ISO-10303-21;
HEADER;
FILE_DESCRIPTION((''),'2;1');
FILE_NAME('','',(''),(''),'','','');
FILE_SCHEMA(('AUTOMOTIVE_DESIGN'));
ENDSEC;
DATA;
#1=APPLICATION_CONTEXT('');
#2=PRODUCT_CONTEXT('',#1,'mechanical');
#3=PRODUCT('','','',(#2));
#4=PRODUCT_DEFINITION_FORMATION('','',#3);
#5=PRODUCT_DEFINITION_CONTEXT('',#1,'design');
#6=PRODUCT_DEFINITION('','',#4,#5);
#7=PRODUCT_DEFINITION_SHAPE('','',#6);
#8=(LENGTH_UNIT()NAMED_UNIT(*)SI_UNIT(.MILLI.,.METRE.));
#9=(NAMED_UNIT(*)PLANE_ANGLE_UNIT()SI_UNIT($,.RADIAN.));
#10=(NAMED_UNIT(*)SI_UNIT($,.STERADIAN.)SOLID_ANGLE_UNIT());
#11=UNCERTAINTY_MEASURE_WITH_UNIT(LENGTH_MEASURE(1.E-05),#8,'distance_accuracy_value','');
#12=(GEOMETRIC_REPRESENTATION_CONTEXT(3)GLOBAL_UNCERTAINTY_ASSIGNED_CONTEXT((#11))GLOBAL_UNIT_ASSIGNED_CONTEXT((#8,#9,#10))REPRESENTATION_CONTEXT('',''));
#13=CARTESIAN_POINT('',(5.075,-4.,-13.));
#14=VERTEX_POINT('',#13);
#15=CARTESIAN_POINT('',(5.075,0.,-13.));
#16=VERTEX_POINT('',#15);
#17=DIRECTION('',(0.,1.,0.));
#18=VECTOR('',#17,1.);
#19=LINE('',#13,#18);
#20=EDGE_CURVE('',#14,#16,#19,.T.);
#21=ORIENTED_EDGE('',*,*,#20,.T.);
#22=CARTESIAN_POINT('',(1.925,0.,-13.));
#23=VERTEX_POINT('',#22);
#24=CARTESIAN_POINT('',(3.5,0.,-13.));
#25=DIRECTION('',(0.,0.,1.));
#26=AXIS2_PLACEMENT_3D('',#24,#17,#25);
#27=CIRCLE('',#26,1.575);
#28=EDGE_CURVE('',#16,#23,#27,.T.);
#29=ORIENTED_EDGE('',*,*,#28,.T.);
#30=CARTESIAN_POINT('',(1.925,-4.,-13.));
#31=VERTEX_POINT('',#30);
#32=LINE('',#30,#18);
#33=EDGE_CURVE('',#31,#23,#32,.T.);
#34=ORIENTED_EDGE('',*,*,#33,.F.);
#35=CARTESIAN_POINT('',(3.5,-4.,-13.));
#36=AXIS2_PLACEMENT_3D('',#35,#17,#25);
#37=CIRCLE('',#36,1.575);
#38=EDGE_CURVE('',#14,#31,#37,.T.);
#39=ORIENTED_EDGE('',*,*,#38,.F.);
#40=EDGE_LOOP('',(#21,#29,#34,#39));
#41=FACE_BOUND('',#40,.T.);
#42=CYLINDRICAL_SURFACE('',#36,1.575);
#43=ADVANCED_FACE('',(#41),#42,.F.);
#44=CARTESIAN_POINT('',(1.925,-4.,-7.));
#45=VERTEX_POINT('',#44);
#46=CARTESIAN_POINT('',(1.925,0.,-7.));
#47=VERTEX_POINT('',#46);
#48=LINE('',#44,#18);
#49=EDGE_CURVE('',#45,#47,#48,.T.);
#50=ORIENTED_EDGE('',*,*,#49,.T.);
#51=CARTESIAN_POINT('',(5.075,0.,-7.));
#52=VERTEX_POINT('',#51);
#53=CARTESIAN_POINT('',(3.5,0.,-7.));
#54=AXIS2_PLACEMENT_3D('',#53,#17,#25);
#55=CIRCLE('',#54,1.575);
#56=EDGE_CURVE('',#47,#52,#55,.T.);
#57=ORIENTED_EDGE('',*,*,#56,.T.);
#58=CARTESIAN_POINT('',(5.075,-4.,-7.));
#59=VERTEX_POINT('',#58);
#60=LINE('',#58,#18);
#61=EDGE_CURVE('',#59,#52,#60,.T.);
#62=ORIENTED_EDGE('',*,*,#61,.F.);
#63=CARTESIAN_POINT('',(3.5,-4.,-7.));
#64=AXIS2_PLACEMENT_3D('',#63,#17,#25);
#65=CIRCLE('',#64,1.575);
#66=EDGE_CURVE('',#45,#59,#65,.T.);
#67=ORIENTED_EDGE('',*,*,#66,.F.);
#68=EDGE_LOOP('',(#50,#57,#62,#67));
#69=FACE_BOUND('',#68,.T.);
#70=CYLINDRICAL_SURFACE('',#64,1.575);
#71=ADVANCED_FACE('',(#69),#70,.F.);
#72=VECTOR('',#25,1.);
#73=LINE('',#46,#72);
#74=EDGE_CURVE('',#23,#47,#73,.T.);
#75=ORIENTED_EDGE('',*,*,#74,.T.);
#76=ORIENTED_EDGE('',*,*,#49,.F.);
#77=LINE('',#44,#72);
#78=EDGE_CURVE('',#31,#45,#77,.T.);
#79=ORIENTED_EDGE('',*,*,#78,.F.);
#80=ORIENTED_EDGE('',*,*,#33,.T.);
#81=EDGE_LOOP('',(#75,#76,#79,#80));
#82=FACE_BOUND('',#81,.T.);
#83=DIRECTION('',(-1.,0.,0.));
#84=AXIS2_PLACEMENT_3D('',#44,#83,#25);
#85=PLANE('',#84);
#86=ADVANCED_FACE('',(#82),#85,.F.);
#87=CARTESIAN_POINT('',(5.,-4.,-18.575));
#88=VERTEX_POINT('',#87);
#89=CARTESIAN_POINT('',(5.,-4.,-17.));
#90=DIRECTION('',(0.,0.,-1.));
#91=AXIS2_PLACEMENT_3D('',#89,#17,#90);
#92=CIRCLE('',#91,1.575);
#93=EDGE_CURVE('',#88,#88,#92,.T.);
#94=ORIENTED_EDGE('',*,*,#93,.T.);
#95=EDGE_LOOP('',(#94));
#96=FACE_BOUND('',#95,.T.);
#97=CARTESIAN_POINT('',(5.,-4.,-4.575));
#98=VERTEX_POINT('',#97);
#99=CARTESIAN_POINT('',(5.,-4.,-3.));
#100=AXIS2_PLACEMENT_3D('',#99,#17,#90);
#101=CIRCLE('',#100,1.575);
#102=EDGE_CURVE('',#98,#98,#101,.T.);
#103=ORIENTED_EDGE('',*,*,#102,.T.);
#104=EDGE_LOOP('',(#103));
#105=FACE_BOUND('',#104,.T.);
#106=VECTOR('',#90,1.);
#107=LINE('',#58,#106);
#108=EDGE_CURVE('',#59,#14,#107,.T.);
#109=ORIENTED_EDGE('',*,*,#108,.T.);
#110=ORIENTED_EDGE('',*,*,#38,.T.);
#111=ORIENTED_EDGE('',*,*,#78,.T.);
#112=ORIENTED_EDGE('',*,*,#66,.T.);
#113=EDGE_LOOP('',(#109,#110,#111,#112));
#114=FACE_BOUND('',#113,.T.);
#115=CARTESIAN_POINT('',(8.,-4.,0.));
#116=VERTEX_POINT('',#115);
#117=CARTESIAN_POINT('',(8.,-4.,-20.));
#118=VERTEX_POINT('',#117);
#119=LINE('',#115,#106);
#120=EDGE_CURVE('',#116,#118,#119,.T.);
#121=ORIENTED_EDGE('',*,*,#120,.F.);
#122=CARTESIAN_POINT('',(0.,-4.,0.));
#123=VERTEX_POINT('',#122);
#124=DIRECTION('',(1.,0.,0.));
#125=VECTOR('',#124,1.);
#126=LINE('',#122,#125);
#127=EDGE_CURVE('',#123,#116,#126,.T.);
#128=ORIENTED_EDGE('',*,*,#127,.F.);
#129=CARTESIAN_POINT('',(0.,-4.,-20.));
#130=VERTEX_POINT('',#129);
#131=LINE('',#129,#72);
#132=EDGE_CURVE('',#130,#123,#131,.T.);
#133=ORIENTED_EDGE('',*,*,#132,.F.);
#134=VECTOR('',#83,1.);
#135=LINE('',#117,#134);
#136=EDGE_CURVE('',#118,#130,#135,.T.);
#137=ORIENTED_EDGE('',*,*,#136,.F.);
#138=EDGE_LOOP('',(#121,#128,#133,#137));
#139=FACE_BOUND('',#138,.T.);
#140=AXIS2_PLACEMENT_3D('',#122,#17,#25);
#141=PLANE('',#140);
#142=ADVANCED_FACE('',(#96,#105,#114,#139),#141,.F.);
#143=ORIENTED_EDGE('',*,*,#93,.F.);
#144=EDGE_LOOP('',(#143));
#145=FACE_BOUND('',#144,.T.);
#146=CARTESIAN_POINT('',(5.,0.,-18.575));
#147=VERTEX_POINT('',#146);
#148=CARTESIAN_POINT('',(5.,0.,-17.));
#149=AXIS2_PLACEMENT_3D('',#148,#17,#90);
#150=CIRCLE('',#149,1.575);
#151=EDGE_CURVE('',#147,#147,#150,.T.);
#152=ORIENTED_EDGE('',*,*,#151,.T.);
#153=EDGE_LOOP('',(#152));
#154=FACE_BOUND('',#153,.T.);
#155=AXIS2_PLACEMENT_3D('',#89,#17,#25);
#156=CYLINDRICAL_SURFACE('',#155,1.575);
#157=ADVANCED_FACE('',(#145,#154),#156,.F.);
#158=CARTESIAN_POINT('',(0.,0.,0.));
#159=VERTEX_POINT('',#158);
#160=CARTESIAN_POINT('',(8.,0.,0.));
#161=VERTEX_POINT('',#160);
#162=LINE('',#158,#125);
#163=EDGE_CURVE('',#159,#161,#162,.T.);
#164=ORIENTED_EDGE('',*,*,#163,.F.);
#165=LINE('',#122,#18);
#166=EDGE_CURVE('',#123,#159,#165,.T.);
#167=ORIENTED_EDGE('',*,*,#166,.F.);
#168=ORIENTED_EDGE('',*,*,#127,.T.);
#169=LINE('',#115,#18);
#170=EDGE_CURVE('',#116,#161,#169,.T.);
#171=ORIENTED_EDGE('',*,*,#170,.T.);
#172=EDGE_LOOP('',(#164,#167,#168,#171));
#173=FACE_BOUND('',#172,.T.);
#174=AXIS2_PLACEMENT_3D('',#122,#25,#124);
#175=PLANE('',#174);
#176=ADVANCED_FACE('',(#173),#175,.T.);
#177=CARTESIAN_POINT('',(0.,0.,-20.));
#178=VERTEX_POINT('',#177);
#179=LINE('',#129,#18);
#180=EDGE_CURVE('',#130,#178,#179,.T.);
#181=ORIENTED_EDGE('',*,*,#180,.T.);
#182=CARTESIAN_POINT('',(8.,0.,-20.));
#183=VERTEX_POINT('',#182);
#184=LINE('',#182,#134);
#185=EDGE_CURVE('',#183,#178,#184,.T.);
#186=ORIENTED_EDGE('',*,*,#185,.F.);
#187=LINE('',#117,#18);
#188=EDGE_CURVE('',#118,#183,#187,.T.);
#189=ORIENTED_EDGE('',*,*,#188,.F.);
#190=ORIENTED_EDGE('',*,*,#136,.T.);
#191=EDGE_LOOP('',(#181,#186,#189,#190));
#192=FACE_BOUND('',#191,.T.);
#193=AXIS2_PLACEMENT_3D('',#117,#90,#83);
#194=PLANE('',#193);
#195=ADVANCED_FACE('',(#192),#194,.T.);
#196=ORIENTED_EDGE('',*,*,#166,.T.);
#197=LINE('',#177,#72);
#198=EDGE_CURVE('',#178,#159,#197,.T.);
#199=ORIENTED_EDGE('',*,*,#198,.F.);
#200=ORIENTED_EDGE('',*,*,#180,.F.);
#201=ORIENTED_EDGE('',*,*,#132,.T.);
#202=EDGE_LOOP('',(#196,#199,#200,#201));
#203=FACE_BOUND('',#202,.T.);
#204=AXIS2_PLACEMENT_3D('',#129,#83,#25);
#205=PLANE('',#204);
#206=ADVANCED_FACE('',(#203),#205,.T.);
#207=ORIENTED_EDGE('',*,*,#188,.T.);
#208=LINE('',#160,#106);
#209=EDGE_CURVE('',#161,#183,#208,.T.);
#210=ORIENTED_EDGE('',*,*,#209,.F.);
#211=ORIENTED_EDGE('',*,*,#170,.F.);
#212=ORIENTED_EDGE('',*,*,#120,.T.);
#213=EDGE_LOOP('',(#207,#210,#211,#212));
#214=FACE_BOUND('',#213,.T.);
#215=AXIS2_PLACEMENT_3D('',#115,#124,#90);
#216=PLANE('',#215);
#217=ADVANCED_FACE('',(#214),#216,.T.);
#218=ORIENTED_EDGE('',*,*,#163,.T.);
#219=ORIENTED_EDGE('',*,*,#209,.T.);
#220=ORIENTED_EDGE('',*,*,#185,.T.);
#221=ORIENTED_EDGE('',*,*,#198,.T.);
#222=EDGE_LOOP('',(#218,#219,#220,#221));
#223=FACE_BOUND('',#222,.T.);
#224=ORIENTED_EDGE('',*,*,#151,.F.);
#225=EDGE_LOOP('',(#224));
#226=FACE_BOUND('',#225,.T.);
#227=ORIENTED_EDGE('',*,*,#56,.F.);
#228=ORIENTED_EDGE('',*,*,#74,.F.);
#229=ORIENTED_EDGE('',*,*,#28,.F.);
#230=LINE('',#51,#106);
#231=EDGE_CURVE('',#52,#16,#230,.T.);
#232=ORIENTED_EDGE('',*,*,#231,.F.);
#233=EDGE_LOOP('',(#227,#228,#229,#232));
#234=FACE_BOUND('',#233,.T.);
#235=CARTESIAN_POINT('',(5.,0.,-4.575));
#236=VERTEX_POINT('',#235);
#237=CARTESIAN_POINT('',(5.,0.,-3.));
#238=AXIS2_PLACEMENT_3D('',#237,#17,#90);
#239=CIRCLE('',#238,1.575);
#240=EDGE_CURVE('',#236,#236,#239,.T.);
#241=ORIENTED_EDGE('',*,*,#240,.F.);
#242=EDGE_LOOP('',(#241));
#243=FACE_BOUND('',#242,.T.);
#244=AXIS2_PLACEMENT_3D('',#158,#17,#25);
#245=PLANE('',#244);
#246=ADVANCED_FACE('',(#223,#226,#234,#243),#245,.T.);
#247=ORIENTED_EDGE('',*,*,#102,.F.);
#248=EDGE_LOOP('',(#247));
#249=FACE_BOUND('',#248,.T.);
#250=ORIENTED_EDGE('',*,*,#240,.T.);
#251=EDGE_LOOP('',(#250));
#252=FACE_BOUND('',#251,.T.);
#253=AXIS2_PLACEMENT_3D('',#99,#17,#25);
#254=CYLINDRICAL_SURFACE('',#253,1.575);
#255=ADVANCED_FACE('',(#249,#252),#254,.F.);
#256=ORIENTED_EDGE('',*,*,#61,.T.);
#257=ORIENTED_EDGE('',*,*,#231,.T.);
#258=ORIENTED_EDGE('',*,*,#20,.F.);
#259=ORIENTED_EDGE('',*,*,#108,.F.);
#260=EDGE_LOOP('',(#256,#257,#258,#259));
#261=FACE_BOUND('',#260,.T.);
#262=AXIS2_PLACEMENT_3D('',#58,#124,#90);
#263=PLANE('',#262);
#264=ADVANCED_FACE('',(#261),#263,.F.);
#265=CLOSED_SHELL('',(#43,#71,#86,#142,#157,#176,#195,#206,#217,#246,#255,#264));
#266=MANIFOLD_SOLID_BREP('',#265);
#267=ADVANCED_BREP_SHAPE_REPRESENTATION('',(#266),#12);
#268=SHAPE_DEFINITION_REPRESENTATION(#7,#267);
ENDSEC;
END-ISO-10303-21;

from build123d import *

# Parameters (mm, degrees)
SKETCH1_W           = 8
SKETCH1_H           = 20
SKETCH1_R           = 1.575
BOSS_EXTRUDE1_DEPTH = 4


with BuildPart() as part:
    # Sketch1 → Boss-Extrude1 (new body)
    with BuildSketch(Plane(origin=(0, 0, 0), x_dir=(1, 0, 0), z_dir=(0, 1, 0))):
        with Locations((4, 10)):
            Rectangle(SKETCH1_W, SKETCH1_H)
        with Locations((5, 17)):
            Circle(SKETCH1_R, mode=Mode.SUBTRACT)
        with Locations((5, 3)):
            Circle(SKETCH1_R, mode=Mode.SUBTRACT)
        with BuildLine():
            Line((1.925, 7), (1.925, 13))
            ThreePointArc((1.925, 13), (3.5, 14.575), (5.075, 13))
            Line((5.075, 13), (5.075, 7))
            ThreePointArc((5.075, 7), (3.5, 5.425), (1.925, 7))
        make_face(mode=Mode.SUBTRACT)
    extrude(amount=-BOSS_EXTRUDE1_DEPTH)


solid = part.part
